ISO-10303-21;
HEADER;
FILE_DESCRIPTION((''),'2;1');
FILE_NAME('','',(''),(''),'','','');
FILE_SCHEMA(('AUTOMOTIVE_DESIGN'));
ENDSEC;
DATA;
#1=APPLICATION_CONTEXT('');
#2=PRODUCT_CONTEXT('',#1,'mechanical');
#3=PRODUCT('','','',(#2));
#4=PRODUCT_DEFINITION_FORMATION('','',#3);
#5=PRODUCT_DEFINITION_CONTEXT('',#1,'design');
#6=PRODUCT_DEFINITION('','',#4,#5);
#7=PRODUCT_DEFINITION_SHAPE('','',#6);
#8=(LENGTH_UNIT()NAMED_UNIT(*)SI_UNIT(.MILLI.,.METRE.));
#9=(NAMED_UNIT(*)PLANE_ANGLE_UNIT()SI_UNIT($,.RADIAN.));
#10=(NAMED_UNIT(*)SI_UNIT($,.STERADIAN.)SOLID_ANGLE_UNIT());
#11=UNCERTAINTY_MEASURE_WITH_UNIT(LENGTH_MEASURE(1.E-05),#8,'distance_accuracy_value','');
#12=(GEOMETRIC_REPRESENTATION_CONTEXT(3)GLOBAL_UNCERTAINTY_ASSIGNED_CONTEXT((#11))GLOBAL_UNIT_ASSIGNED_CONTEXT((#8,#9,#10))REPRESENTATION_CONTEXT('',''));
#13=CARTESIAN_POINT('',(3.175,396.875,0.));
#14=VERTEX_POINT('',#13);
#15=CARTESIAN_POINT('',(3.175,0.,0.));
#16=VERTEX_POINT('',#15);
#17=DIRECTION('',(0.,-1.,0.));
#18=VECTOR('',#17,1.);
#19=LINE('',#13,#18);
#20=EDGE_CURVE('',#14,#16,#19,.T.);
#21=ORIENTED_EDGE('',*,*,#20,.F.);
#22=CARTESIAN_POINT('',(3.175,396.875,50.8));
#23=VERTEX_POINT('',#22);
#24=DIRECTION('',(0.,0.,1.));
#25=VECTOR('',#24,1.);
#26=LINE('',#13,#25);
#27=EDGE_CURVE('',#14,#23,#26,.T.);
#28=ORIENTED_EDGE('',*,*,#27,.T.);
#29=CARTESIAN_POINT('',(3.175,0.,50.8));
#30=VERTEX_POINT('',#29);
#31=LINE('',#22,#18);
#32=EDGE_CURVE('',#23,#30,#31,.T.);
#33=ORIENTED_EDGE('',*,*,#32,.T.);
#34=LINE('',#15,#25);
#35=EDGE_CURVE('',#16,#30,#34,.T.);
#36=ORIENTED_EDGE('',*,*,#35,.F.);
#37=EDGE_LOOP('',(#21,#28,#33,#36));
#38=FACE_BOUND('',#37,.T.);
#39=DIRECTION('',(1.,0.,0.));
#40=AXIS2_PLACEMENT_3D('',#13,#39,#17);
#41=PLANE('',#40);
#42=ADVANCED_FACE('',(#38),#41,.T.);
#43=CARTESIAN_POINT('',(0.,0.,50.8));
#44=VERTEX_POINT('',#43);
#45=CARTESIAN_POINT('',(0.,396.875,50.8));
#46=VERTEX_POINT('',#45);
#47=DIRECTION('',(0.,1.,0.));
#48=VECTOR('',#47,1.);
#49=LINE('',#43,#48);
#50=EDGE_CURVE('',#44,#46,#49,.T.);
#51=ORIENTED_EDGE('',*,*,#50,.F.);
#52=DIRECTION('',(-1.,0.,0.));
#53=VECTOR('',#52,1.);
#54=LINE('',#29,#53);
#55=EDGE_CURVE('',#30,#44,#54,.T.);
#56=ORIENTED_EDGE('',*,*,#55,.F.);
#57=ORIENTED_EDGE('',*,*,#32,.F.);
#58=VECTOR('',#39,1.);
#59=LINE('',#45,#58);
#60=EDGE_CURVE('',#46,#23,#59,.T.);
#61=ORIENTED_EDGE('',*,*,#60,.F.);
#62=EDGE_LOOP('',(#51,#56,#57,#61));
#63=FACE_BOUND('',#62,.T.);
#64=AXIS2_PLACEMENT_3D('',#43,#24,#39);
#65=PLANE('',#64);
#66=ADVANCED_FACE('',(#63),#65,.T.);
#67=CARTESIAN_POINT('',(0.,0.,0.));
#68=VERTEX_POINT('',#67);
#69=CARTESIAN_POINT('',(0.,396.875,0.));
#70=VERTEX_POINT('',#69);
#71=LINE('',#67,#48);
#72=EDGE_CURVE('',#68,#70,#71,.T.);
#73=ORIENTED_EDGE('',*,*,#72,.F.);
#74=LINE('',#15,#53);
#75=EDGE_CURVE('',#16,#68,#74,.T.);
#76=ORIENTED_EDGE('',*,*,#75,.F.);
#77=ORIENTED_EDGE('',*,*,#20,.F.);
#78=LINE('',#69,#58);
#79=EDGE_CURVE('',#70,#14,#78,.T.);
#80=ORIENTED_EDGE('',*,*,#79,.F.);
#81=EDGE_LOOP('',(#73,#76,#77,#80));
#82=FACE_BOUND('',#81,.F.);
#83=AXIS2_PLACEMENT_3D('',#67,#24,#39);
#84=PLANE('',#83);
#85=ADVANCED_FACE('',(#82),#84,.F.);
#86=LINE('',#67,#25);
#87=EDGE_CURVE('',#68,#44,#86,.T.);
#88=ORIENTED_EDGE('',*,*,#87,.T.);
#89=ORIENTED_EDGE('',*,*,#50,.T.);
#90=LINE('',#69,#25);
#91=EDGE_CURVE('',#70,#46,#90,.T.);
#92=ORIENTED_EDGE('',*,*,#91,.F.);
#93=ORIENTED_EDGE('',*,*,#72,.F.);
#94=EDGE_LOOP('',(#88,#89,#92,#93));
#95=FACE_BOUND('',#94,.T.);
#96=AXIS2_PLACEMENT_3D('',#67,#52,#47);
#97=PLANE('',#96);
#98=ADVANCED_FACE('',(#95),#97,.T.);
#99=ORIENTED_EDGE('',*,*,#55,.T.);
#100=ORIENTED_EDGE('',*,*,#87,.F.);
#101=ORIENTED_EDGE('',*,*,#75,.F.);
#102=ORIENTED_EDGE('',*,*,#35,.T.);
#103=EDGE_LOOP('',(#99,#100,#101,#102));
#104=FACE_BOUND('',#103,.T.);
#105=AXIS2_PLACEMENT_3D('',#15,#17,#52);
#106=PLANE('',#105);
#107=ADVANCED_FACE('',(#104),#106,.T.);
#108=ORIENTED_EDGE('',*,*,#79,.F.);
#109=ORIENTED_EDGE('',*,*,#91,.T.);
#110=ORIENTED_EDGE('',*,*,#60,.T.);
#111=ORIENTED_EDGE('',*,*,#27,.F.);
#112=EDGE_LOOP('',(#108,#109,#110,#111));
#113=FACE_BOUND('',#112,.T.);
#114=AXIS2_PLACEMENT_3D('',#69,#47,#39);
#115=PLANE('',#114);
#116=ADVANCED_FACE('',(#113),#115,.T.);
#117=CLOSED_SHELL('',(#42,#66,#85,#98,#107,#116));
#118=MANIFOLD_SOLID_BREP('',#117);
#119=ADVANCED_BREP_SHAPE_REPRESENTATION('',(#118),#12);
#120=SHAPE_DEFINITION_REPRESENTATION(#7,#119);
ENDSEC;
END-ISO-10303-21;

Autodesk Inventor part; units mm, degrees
ref_plane "YZ Plane" through (0, 0, 0) normal (1, 0, 0) x (0, 1, 0)
ref_plane "XZ Plane" through (0, 0, 0) normal (0, 1, 0) x (-1, 0, 0)
ref_plane "XY Plane" through (0, 0, 0) normal (0, 0, 1) x (1, 0, 0)
sketch "Sketch1" plane through (0, 0, 0) normal (0, 0, 1) x (1, 0, 0)
  line L0 (0, 0) -> (0, 396.875)
  line L1 (0, 0) -> (396.875, 0) construction
  line L2 (0, 396.875) -> (3.175, 396.875)
  line L3 (3.175, 396.875) -> (3.175, 0)
  line L4 (3.175, 0) -> (0, 0)
  dimension "d0" = 396.875
  dimension "d1" = 90
  dimension "d2" = 3.175
extrude "Extrusion1" add sketch "Sketch1" along normal blind 50.8
properties part number "gyro"
